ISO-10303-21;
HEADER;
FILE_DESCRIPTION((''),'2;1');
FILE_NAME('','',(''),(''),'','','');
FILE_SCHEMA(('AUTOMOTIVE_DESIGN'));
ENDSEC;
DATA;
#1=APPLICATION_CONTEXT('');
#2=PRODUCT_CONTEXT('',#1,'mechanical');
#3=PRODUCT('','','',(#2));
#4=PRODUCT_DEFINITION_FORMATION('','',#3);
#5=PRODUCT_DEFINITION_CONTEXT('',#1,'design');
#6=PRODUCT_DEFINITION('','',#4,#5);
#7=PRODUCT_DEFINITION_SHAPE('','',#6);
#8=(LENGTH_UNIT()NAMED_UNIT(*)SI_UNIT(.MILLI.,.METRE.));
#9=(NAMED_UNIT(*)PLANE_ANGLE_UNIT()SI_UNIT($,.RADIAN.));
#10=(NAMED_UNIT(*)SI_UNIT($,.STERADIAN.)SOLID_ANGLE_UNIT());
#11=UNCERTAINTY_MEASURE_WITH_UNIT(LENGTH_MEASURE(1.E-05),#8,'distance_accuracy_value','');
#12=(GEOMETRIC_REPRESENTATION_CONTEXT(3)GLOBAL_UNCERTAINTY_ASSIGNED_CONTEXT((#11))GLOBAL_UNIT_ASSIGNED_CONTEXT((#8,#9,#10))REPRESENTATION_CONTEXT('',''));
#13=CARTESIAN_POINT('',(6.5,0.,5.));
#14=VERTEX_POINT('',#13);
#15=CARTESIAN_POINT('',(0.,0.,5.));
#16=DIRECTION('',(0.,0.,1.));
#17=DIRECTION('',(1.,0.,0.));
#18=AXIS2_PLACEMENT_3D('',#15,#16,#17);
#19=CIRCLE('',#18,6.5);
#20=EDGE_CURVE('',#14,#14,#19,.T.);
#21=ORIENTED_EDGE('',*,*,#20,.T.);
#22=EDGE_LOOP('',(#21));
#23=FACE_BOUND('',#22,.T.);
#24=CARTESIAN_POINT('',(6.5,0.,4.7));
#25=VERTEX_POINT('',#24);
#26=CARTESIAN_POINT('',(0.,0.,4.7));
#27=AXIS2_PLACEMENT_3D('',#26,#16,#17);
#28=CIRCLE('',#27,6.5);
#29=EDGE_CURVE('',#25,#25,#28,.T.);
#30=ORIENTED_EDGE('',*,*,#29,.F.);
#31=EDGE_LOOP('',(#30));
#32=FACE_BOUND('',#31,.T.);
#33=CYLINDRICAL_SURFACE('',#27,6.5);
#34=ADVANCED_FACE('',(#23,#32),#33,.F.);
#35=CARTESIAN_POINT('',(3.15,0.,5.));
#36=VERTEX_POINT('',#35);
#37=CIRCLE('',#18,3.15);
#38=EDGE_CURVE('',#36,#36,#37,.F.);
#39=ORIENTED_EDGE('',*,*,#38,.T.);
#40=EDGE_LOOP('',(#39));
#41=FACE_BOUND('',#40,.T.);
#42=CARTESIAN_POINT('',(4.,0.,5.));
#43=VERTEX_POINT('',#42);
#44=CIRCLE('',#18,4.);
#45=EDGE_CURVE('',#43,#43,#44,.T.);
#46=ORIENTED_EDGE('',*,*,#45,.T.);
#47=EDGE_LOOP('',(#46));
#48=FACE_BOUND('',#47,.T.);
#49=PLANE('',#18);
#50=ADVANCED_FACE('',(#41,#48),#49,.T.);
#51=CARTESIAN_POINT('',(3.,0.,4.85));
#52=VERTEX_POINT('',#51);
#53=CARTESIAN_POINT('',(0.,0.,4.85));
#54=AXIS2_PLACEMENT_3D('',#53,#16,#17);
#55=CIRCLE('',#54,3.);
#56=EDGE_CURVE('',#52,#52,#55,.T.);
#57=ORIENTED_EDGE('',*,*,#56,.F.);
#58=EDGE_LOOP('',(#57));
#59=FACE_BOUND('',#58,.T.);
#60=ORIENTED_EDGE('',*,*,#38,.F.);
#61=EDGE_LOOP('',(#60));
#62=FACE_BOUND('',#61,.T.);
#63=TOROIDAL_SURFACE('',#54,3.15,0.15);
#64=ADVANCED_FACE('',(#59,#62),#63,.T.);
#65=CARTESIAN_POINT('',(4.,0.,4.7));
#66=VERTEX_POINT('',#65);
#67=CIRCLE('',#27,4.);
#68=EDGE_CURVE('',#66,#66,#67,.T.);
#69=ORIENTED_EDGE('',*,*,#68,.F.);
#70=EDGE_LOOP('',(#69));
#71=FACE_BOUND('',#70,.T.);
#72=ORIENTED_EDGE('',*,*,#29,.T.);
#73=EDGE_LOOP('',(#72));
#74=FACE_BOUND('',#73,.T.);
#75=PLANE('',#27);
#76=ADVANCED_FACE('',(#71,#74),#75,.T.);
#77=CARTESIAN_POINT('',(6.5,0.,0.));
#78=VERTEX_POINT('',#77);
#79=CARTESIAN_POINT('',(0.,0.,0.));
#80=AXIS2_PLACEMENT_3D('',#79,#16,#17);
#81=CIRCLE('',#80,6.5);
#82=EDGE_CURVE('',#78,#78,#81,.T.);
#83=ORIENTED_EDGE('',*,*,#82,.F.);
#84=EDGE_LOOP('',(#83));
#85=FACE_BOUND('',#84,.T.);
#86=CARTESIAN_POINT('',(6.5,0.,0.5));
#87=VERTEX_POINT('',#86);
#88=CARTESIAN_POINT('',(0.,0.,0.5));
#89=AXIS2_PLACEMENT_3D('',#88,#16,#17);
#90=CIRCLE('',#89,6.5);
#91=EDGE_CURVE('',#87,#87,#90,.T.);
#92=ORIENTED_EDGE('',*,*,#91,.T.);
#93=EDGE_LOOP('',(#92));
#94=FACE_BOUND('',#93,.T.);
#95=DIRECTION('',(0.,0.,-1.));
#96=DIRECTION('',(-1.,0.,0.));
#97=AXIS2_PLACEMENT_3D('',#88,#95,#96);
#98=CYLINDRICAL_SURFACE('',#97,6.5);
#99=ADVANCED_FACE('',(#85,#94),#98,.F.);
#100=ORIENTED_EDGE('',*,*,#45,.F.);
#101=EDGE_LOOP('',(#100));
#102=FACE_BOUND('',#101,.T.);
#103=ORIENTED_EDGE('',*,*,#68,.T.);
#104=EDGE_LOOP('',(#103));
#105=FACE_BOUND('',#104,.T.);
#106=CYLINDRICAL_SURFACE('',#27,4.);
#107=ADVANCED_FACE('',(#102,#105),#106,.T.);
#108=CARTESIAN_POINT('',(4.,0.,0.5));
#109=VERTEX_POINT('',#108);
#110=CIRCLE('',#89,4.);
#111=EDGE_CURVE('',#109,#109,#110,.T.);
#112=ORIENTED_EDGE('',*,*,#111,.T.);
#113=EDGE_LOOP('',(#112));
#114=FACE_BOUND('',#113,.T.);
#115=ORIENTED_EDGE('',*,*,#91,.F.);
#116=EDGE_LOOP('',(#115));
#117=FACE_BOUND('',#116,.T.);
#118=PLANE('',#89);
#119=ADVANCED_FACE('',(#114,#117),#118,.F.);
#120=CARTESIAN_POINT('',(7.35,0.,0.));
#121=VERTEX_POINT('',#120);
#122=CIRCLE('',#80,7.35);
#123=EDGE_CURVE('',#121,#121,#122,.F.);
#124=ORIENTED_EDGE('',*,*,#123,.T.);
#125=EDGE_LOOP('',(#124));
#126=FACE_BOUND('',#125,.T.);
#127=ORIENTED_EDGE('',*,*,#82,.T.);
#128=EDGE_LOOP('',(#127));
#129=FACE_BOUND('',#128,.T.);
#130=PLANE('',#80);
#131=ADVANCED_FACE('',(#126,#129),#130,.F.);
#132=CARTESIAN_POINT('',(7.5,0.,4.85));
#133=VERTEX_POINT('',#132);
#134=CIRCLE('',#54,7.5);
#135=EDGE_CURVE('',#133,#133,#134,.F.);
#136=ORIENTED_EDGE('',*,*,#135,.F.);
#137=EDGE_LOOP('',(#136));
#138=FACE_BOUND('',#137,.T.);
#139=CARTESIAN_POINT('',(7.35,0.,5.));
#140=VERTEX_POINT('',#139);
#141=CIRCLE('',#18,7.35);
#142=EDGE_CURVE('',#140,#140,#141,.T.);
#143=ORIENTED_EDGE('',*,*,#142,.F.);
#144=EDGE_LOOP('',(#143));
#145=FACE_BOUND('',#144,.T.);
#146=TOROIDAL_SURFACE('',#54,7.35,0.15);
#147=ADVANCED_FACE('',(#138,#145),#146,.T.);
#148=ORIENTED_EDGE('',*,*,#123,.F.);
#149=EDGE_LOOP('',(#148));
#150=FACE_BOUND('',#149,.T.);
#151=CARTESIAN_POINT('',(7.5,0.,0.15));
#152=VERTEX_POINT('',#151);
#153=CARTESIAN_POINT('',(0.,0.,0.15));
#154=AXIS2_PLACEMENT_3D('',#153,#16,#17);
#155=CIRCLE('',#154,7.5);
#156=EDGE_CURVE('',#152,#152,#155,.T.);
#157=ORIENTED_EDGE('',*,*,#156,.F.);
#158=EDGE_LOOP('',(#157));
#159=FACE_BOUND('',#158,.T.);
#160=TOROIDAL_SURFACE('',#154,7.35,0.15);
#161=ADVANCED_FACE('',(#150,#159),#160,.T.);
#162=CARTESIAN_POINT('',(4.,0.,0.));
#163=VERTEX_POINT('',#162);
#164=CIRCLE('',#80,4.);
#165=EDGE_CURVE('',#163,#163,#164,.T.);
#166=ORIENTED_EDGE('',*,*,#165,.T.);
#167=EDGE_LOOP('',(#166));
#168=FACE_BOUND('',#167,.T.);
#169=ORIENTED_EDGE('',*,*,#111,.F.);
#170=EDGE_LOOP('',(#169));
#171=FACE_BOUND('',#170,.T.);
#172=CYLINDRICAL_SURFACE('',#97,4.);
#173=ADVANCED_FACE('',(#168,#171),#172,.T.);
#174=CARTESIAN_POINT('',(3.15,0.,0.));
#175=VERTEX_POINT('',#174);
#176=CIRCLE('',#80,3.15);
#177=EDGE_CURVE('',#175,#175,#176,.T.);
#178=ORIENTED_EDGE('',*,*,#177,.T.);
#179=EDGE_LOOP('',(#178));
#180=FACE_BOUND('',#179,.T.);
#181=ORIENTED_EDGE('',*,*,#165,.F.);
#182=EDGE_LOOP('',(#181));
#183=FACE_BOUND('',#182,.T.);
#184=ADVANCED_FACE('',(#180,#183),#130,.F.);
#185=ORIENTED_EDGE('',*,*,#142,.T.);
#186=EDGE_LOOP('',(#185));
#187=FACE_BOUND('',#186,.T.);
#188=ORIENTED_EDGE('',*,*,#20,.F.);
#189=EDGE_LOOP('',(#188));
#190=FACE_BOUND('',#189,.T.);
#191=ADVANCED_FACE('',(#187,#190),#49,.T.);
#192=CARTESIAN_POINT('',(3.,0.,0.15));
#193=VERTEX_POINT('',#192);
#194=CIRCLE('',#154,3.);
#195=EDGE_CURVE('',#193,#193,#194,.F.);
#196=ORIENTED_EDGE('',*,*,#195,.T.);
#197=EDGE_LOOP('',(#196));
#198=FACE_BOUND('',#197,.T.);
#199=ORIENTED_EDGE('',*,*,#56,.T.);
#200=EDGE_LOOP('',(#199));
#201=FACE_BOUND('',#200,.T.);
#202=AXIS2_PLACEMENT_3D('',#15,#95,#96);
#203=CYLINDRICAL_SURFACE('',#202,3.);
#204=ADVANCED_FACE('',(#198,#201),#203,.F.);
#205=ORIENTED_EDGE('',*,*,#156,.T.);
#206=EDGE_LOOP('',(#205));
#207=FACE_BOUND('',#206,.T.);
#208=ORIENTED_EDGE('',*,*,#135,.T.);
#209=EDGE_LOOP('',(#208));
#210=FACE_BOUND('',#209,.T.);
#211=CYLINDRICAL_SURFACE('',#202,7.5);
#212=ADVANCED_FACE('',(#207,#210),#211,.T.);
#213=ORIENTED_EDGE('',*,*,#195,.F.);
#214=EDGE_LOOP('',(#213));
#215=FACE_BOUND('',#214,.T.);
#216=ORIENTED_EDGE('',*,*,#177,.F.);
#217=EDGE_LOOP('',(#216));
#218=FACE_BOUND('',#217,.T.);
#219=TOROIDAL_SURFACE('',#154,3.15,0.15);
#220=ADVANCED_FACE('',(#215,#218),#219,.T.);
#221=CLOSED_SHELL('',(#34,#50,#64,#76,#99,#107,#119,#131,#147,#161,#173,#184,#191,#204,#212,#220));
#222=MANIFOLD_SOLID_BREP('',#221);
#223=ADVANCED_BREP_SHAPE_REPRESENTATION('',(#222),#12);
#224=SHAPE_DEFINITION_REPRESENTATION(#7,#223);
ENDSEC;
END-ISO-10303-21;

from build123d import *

# Parameters (mm, degrees)
SKETCH1_R           = 7.5
SKETCH1_R_2         = 3
BOSS_EXTRUDE1_DEPTH = 5
SKETCH2_R           = 6.5
SKETCH2_R_2         = 4
CUT_EXTRUDE1_DEPTH  = 0.3
CUT_EXTRUDE2_START  = -4.5
SKETCH2_2_R         = 6.5
SKETCH2_2_R_2       = 4
CUT_EXTRUDE2_DEPTH  = 0.5
FILLET1_R           = 0.15


with BuildPart() as part:
    # Sketch1 → Boss-Extrude1 (new body)
    with BuildSketch(Plane.XY):
        Circle(SKETCH1_R)
        Circle(SKETCH1_R_2, mode=Mode.SUBTRACT)
    extrude(amount=BOSS_EXTRUDE1_DEPTH)

    # Sketch2 → Cut-Extrude1 (cut)
    with BuildSketch(Plane.XY.offset(5)):
        Circle(SKETCH2_R)
        Circle(SKETCH2_R_2, mode=Mode.SUBTRACT)
    extrude(amount=-CUT_EXTRUDE1_DEPTH, mode=Mode.SUBTRACT)

    # Sketch2<2> → Cut-Extrude2 (cut)
    with BuildSketch(Plane.XY.offset(5).offset(CUT_EXTRUDE2_START)):
        Circle(SKETCH2_2_R)
        Circle(SKETCH2_2_R_2, mode=Mode.SUBTRACT)
    extrude(amount=-CUT_EXTRUDE2_DEPTH, mode=Mode.SUBTRACT)

    # Fillet1
    fillet1_edges = [part.edges().sort_by_distance(p)[0] for p in [
        (-7.5, 0, 0),
        (-7.5, 0, 5),
        (-3, 0, 0),
        (-3, 0, 5),
    ]]
    fillet(fillet1_edges, radius=FILLET1_R)


solid = part.part
